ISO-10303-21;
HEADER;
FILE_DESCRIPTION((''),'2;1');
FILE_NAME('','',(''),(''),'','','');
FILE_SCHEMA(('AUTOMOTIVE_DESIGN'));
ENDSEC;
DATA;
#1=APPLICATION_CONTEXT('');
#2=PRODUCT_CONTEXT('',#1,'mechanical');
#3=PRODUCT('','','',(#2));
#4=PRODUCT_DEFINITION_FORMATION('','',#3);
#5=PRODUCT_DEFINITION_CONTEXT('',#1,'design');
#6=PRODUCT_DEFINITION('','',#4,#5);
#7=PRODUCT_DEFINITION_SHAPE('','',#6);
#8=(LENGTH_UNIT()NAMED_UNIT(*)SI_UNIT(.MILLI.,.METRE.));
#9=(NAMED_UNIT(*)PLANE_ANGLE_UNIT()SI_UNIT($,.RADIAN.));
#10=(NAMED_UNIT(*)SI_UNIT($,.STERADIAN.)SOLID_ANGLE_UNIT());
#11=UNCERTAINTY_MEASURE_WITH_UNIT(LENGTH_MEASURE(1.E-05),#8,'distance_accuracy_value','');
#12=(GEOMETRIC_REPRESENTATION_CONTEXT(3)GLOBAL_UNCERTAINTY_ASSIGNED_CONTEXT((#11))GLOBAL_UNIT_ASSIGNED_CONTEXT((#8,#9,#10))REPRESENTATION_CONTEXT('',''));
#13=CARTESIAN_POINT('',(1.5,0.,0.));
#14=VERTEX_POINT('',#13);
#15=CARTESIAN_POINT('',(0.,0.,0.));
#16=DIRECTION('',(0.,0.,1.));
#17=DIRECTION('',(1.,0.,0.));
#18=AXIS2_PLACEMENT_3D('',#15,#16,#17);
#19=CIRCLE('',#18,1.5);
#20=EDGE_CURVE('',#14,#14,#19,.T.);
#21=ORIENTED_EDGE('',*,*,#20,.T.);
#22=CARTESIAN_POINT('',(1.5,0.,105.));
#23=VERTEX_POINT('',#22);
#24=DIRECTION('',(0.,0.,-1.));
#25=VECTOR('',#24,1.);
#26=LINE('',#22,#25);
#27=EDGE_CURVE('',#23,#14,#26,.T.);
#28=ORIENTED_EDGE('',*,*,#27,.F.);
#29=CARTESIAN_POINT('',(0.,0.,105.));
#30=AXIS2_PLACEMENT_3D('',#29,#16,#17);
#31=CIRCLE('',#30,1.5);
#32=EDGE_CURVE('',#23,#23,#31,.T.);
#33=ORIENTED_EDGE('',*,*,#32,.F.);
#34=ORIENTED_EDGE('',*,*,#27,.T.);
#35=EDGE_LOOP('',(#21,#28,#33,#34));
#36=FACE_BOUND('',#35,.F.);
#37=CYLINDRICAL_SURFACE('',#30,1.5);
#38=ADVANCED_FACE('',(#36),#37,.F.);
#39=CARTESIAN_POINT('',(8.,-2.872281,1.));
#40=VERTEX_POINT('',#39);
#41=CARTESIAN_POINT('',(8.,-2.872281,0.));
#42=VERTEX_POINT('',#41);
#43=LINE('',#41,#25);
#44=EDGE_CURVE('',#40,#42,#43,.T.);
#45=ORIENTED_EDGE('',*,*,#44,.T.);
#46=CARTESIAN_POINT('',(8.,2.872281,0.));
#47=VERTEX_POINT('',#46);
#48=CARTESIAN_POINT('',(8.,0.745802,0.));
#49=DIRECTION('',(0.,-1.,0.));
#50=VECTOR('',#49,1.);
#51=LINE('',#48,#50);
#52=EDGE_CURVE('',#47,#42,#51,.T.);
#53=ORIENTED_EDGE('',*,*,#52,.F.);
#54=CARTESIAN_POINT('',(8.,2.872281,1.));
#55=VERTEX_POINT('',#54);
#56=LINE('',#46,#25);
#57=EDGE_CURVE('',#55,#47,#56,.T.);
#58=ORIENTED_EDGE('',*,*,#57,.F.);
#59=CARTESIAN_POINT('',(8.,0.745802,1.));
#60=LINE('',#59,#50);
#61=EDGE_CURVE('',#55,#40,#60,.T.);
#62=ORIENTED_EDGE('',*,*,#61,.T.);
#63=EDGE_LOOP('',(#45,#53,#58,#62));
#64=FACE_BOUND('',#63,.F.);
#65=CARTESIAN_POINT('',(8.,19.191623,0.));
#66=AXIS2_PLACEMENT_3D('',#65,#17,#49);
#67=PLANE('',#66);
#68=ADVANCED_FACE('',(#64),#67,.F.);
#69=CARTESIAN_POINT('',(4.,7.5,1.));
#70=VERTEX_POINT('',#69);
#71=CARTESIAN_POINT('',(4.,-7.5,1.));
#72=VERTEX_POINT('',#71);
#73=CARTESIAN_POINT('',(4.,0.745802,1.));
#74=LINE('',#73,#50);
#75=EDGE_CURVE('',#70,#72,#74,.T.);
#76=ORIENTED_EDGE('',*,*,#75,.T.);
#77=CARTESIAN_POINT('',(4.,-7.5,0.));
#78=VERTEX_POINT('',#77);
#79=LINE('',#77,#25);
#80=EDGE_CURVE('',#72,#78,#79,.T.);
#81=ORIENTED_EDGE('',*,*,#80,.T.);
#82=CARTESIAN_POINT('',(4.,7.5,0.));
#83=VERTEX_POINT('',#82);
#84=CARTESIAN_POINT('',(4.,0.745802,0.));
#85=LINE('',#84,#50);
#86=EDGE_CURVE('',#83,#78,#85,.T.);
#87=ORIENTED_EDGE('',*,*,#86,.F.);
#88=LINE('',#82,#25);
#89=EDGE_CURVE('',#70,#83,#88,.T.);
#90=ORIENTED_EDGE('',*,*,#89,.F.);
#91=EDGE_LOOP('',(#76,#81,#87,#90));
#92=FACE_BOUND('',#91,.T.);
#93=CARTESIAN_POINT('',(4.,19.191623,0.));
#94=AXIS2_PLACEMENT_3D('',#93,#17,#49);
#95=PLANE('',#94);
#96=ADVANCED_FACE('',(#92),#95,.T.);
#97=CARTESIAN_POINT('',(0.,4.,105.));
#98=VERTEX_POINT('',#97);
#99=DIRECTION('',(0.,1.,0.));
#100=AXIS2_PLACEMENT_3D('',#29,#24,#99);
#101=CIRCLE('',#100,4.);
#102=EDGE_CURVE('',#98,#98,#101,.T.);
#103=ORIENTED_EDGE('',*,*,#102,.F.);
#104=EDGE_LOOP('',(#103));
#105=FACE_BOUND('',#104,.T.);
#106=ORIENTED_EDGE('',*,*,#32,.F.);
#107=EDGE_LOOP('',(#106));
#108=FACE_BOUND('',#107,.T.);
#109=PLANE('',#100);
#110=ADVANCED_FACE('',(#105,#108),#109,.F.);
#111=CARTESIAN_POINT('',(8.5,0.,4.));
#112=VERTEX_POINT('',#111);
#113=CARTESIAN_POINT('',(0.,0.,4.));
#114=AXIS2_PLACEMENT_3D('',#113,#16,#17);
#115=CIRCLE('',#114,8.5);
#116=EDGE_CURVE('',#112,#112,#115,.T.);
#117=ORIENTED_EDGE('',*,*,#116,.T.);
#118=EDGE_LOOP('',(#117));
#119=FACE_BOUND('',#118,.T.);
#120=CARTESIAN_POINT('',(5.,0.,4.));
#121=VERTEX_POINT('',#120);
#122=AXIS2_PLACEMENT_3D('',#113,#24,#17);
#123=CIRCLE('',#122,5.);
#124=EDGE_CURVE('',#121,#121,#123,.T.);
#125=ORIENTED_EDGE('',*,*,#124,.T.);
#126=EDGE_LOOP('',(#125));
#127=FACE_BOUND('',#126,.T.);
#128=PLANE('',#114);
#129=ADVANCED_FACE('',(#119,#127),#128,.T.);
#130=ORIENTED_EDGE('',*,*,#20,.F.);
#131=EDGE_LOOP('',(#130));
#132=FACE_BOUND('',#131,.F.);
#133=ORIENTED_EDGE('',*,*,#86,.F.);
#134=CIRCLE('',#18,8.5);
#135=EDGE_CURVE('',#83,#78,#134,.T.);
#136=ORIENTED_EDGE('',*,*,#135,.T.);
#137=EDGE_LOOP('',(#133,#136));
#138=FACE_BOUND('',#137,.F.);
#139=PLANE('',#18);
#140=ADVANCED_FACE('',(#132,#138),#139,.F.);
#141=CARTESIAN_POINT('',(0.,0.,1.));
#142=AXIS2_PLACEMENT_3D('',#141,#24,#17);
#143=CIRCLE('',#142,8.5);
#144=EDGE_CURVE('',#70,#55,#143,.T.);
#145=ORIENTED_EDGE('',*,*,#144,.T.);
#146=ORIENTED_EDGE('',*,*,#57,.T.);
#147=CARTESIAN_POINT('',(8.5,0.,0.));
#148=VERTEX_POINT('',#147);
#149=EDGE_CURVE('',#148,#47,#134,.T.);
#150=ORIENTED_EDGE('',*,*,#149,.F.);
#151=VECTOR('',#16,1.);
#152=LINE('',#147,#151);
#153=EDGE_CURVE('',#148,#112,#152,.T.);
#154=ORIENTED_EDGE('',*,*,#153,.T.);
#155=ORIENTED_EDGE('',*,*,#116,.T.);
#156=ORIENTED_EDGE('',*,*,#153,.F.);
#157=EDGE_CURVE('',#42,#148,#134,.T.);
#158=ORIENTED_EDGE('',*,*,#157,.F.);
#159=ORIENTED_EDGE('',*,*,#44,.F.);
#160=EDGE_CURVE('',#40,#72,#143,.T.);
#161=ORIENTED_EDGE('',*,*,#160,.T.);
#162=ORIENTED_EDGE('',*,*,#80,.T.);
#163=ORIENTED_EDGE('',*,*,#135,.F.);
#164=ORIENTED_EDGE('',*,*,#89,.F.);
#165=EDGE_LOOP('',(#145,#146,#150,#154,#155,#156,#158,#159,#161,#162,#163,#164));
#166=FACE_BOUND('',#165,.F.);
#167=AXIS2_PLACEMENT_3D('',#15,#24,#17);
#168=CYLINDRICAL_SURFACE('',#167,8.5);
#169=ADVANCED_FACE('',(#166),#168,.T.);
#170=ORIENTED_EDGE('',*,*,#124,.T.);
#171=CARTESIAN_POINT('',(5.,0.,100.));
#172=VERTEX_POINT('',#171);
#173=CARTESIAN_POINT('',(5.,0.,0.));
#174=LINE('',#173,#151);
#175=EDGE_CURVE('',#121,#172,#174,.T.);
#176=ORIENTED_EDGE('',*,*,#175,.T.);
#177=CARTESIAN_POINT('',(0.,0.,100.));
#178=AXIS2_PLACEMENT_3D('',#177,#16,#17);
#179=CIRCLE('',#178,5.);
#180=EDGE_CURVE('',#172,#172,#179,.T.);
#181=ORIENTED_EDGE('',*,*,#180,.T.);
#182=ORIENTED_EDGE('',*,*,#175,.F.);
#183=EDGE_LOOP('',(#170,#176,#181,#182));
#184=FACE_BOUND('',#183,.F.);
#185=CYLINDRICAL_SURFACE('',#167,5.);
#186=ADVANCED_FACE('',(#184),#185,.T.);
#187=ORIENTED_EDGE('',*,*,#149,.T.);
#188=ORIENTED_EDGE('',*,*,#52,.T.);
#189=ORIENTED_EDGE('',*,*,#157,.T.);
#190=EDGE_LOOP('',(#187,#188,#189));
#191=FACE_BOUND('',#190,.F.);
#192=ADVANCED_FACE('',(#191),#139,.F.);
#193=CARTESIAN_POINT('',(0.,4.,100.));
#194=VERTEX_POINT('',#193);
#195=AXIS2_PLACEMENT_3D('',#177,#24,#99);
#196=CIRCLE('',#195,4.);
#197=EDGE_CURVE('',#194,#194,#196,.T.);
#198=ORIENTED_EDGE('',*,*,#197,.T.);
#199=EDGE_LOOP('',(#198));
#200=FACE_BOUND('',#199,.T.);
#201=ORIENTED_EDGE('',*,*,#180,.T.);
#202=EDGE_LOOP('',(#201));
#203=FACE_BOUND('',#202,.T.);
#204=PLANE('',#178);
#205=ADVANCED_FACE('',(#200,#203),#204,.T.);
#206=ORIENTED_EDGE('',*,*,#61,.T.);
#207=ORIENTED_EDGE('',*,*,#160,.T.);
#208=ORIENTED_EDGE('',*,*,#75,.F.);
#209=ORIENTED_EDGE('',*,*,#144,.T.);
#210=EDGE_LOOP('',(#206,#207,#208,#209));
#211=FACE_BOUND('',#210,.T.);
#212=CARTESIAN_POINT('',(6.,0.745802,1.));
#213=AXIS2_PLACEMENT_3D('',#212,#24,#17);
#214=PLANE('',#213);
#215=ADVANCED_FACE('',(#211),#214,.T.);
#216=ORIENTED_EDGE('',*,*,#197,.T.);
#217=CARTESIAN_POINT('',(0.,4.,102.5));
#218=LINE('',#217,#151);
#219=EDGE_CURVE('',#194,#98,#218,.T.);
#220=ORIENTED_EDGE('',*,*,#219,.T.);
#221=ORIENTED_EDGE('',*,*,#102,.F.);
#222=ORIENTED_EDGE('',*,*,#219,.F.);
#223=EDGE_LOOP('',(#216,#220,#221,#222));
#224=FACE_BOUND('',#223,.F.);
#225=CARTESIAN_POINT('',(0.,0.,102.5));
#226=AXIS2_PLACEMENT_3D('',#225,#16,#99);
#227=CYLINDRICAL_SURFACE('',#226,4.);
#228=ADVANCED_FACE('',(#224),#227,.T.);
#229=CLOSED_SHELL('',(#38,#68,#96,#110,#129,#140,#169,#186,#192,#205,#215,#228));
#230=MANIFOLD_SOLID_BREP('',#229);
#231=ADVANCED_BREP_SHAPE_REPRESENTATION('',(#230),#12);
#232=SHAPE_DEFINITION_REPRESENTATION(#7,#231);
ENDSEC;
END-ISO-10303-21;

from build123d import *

# Parameters (mm, degrees)
F0_R     = 8.5
F1_DEPTH = 4
F2_R     = 5
F3_DEPTH = 100
F4_W     = 4
F4_H     = 5
F6_W     = 4
F6_H     = 36.891641
F7_DEPTH = 1
F8_R     = 1.5
F9_DEPTH = 122


with BuildPart() as f1:
    # F0 (on Top) → F1 (new body)
    with BuildSketch(Plane.XY):
        Circle(F0_R)
    extrude(amount=F1_DEPTH)

    # F2 (on Top) → F3 (join)
    with BuildSketch(Plane.XY):
        Circle(F2_R)
    extrude(amount=F3_DEPTH)

    # F4 (on Right) → F5 (revolve)
    with BuildSketch(Plane.YZ):
        with Locations((2, 102.5)):
            Rectangle(F4_W, F4_H)
    revolve(axis=Axis((0, 0, 102.5), (0, 0, -1)))

    # F6 (on face) → F7 (cut)
    with BuildSketch(Plane(origin=(0, 0, 0), x_dir=(1, 0, 0), z_dir=(0, 0, -1))):
        with Locations((6, -0.745802)):
            Rectangle(F6_W, F6_H)
    extrude(amount=-F7_DEPTH, mode=Mode.SUBTRACT)

    # F8 (on face) → F9 (cut)
    with BuildSketch(Plane.XY.offset(105)):
        Circle(F8_R)
    extrude(amount=-F9_DEPTH, mode=Mode.SUBTRACT)


solid = f1.part
